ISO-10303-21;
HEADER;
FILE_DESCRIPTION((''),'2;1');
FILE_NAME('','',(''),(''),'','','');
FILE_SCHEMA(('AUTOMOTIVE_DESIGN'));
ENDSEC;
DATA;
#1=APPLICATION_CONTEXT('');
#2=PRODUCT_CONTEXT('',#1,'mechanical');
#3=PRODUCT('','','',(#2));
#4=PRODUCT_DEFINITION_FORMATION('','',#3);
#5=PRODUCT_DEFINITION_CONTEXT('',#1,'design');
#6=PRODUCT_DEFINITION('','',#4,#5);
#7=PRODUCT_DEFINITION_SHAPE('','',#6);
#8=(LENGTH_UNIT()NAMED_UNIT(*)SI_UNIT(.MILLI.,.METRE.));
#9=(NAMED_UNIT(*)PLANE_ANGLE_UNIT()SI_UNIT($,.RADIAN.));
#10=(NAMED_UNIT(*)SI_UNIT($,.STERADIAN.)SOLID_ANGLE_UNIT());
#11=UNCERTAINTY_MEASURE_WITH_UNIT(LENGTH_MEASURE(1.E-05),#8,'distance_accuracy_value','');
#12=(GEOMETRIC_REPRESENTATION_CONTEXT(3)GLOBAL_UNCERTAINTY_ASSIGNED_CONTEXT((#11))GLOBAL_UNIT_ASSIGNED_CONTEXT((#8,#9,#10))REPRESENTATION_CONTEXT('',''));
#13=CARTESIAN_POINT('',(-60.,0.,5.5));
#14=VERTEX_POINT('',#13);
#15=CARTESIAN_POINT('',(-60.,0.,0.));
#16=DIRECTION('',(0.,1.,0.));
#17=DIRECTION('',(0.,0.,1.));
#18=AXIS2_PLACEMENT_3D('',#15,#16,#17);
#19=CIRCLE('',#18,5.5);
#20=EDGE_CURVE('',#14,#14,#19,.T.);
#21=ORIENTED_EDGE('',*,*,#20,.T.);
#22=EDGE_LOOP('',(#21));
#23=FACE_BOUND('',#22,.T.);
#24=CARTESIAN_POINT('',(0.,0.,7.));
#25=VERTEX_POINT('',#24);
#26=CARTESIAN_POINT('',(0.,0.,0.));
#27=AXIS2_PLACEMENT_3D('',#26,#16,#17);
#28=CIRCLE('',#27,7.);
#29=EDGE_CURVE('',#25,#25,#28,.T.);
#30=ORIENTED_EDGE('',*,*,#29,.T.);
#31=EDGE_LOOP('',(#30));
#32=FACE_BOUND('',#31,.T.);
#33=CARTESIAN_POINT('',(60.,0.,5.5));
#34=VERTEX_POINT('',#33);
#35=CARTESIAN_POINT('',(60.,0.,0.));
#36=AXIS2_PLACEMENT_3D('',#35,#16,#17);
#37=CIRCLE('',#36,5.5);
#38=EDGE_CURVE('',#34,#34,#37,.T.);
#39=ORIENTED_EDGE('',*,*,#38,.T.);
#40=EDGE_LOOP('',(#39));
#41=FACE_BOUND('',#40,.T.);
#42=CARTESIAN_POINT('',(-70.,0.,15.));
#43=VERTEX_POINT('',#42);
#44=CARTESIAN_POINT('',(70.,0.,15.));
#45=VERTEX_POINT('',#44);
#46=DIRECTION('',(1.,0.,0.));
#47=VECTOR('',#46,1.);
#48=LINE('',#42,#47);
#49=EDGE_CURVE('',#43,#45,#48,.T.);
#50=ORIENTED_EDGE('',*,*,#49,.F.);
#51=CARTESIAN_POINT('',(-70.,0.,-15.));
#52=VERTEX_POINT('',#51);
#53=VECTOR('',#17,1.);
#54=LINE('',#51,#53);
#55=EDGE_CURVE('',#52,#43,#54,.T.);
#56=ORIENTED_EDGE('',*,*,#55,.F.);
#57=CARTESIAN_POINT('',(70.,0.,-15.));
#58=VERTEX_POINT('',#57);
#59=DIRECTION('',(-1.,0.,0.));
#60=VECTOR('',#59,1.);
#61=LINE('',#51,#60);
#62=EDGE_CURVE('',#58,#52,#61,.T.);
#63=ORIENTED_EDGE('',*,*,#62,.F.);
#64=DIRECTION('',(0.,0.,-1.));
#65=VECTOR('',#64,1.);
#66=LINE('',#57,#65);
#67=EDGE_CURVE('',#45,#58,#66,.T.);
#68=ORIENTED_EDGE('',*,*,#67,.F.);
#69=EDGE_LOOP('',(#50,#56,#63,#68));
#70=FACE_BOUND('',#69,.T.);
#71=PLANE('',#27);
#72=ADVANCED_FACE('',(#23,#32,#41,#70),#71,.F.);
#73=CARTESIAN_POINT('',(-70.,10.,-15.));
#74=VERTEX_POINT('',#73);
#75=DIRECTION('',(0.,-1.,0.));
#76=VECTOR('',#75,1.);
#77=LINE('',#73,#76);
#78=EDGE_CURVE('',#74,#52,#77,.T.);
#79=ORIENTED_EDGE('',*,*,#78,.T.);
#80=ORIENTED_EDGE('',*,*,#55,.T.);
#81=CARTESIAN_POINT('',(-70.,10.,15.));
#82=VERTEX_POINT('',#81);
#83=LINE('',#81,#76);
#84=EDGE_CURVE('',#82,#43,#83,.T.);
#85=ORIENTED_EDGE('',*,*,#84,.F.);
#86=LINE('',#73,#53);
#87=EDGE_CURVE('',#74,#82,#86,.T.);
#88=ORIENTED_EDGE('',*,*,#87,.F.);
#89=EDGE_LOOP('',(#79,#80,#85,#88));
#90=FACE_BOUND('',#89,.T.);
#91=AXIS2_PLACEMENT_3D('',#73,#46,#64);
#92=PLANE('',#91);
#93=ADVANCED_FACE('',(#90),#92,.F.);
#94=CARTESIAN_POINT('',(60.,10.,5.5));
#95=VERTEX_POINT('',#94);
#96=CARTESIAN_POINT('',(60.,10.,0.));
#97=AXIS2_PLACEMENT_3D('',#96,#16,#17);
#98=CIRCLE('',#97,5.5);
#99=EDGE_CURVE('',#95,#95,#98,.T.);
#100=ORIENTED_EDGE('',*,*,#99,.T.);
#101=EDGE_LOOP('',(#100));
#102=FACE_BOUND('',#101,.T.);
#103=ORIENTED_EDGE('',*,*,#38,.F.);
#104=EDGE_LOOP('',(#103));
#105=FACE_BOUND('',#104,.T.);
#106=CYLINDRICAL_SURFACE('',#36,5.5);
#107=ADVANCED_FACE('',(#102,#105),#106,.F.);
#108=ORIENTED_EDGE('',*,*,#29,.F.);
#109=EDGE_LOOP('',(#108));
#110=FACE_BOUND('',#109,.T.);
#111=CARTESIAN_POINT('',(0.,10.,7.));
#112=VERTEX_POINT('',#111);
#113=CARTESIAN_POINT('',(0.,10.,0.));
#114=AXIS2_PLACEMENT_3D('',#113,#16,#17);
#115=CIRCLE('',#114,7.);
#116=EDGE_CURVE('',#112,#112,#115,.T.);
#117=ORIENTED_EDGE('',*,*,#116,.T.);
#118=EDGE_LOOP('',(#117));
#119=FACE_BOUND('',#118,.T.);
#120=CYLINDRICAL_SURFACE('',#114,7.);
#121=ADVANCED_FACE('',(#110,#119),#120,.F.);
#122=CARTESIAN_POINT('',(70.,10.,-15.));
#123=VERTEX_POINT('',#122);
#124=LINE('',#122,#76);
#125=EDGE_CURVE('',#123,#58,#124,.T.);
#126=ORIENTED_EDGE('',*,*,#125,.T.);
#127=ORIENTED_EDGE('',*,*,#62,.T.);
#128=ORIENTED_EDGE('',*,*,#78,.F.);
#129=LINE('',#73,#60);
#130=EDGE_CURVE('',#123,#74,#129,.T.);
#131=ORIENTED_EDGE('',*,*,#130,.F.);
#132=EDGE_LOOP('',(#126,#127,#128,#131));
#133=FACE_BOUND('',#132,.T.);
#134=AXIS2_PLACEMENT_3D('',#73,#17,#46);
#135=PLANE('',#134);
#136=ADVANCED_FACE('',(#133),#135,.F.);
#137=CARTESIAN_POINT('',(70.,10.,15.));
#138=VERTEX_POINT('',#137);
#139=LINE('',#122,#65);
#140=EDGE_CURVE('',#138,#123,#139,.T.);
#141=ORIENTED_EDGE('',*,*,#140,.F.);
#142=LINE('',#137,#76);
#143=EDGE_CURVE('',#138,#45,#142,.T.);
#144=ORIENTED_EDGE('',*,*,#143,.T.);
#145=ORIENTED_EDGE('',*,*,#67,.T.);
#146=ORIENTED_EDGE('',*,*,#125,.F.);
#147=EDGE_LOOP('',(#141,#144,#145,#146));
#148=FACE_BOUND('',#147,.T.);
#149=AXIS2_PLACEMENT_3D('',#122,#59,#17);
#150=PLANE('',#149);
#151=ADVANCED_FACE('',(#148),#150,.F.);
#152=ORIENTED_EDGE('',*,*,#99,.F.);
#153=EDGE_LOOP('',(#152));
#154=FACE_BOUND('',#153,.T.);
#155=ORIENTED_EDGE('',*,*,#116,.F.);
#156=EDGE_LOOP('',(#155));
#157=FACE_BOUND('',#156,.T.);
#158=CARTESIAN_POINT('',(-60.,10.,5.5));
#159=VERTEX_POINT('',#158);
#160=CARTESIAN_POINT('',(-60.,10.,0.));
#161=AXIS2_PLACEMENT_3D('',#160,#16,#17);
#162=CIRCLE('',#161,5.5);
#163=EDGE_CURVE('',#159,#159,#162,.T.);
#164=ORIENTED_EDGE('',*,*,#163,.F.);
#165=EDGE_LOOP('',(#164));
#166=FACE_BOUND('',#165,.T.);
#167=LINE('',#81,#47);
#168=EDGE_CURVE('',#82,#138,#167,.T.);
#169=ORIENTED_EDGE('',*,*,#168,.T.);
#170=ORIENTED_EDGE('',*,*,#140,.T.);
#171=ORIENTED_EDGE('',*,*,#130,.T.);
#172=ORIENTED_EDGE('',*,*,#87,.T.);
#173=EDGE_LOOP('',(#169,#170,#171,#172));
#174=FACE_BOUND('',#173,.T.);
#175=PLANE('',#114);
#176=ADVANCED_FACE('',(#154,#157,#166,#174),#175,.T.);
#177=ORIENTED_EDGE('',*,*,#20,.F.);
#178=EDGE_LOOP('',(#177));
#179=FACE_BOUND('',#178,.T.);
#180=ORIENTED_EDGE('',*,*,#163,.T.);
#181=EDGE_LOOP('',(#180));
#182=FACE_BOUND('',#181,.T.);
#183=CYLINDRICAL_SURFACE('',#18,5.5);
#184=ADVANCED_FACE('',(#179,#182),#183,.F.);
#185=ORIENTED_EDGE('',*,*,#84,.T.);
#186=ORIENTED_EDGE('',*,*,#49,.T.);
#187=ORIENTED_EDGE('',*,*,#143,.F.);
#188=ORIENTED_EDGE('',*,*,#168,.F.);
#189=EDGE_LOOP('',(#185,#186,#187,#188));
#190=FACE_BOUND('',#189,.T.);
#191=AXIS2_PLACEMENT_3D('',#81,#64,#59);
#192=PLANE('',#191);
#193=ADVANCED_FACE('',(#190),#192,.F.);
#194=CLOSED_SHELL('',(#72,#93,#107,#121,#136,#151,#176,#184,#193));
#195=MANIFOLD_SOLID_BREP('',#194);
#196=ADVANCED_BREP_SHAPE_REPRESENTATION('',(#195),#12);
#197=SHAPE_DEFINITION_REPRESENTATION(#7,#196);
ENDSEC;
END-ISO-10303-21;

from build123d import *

# Parameters (mm, degrees)
SKETCH1_W           = 140
SKETCH1_H           = 30
BOSS_EXTRUDE1_DEPTH = 10
SKETCH2_R           = 5.5
CUT_EXTRUDE1_DEPTH  = 73.284161474


with BuildPart() as part:
    # Sketch1 → Boss-Extrude1 (new body)
    with BuildSketch(Plane(origin=(0, 0, 0), x_dir=(1, 0, 0), z_dir=(0, 1, 0))):
        Rectangle(SKETCH1_W, SKETCH1_H)
    extrude(amount=BOSS_EXTRUDE1_DEPTH)

    # Sketch2 → Cut-Extrude1 (cut, through all)
    with BuildSketch(Plane(origin=(0, 10, 0), x_dir=(1, 0, 0), z_dir=(0, 1, 0))):
        with Locations(Location((-60, 0, 0), (0, 0, 270))):
            Circle(SKETCH2_R)
        with Locations(Location((60, 0, 0), (0, 0, 270))):
            Circle(SKETCH2_R)
    extrude(amount=-CUT_EXTRUDE1_DEPTH, mode=Mode.SUBTRACT)

    # Sketch4 → M16 Tapped Hole1 (revolve, cut)
    with BuildSketch(Plane(origin=(0, 10, 0), x_dir=(0, 0, 1), z_dir=(1, 0, 0))):
        Polygon((0, 0), (0, 45), (7, 38), (7, 0), align=None)
    revolve(axis=Axis((0, 16.35, 0), (0, -1, 0)), mode=Mode.SUBTRACT)


solid = part.part
